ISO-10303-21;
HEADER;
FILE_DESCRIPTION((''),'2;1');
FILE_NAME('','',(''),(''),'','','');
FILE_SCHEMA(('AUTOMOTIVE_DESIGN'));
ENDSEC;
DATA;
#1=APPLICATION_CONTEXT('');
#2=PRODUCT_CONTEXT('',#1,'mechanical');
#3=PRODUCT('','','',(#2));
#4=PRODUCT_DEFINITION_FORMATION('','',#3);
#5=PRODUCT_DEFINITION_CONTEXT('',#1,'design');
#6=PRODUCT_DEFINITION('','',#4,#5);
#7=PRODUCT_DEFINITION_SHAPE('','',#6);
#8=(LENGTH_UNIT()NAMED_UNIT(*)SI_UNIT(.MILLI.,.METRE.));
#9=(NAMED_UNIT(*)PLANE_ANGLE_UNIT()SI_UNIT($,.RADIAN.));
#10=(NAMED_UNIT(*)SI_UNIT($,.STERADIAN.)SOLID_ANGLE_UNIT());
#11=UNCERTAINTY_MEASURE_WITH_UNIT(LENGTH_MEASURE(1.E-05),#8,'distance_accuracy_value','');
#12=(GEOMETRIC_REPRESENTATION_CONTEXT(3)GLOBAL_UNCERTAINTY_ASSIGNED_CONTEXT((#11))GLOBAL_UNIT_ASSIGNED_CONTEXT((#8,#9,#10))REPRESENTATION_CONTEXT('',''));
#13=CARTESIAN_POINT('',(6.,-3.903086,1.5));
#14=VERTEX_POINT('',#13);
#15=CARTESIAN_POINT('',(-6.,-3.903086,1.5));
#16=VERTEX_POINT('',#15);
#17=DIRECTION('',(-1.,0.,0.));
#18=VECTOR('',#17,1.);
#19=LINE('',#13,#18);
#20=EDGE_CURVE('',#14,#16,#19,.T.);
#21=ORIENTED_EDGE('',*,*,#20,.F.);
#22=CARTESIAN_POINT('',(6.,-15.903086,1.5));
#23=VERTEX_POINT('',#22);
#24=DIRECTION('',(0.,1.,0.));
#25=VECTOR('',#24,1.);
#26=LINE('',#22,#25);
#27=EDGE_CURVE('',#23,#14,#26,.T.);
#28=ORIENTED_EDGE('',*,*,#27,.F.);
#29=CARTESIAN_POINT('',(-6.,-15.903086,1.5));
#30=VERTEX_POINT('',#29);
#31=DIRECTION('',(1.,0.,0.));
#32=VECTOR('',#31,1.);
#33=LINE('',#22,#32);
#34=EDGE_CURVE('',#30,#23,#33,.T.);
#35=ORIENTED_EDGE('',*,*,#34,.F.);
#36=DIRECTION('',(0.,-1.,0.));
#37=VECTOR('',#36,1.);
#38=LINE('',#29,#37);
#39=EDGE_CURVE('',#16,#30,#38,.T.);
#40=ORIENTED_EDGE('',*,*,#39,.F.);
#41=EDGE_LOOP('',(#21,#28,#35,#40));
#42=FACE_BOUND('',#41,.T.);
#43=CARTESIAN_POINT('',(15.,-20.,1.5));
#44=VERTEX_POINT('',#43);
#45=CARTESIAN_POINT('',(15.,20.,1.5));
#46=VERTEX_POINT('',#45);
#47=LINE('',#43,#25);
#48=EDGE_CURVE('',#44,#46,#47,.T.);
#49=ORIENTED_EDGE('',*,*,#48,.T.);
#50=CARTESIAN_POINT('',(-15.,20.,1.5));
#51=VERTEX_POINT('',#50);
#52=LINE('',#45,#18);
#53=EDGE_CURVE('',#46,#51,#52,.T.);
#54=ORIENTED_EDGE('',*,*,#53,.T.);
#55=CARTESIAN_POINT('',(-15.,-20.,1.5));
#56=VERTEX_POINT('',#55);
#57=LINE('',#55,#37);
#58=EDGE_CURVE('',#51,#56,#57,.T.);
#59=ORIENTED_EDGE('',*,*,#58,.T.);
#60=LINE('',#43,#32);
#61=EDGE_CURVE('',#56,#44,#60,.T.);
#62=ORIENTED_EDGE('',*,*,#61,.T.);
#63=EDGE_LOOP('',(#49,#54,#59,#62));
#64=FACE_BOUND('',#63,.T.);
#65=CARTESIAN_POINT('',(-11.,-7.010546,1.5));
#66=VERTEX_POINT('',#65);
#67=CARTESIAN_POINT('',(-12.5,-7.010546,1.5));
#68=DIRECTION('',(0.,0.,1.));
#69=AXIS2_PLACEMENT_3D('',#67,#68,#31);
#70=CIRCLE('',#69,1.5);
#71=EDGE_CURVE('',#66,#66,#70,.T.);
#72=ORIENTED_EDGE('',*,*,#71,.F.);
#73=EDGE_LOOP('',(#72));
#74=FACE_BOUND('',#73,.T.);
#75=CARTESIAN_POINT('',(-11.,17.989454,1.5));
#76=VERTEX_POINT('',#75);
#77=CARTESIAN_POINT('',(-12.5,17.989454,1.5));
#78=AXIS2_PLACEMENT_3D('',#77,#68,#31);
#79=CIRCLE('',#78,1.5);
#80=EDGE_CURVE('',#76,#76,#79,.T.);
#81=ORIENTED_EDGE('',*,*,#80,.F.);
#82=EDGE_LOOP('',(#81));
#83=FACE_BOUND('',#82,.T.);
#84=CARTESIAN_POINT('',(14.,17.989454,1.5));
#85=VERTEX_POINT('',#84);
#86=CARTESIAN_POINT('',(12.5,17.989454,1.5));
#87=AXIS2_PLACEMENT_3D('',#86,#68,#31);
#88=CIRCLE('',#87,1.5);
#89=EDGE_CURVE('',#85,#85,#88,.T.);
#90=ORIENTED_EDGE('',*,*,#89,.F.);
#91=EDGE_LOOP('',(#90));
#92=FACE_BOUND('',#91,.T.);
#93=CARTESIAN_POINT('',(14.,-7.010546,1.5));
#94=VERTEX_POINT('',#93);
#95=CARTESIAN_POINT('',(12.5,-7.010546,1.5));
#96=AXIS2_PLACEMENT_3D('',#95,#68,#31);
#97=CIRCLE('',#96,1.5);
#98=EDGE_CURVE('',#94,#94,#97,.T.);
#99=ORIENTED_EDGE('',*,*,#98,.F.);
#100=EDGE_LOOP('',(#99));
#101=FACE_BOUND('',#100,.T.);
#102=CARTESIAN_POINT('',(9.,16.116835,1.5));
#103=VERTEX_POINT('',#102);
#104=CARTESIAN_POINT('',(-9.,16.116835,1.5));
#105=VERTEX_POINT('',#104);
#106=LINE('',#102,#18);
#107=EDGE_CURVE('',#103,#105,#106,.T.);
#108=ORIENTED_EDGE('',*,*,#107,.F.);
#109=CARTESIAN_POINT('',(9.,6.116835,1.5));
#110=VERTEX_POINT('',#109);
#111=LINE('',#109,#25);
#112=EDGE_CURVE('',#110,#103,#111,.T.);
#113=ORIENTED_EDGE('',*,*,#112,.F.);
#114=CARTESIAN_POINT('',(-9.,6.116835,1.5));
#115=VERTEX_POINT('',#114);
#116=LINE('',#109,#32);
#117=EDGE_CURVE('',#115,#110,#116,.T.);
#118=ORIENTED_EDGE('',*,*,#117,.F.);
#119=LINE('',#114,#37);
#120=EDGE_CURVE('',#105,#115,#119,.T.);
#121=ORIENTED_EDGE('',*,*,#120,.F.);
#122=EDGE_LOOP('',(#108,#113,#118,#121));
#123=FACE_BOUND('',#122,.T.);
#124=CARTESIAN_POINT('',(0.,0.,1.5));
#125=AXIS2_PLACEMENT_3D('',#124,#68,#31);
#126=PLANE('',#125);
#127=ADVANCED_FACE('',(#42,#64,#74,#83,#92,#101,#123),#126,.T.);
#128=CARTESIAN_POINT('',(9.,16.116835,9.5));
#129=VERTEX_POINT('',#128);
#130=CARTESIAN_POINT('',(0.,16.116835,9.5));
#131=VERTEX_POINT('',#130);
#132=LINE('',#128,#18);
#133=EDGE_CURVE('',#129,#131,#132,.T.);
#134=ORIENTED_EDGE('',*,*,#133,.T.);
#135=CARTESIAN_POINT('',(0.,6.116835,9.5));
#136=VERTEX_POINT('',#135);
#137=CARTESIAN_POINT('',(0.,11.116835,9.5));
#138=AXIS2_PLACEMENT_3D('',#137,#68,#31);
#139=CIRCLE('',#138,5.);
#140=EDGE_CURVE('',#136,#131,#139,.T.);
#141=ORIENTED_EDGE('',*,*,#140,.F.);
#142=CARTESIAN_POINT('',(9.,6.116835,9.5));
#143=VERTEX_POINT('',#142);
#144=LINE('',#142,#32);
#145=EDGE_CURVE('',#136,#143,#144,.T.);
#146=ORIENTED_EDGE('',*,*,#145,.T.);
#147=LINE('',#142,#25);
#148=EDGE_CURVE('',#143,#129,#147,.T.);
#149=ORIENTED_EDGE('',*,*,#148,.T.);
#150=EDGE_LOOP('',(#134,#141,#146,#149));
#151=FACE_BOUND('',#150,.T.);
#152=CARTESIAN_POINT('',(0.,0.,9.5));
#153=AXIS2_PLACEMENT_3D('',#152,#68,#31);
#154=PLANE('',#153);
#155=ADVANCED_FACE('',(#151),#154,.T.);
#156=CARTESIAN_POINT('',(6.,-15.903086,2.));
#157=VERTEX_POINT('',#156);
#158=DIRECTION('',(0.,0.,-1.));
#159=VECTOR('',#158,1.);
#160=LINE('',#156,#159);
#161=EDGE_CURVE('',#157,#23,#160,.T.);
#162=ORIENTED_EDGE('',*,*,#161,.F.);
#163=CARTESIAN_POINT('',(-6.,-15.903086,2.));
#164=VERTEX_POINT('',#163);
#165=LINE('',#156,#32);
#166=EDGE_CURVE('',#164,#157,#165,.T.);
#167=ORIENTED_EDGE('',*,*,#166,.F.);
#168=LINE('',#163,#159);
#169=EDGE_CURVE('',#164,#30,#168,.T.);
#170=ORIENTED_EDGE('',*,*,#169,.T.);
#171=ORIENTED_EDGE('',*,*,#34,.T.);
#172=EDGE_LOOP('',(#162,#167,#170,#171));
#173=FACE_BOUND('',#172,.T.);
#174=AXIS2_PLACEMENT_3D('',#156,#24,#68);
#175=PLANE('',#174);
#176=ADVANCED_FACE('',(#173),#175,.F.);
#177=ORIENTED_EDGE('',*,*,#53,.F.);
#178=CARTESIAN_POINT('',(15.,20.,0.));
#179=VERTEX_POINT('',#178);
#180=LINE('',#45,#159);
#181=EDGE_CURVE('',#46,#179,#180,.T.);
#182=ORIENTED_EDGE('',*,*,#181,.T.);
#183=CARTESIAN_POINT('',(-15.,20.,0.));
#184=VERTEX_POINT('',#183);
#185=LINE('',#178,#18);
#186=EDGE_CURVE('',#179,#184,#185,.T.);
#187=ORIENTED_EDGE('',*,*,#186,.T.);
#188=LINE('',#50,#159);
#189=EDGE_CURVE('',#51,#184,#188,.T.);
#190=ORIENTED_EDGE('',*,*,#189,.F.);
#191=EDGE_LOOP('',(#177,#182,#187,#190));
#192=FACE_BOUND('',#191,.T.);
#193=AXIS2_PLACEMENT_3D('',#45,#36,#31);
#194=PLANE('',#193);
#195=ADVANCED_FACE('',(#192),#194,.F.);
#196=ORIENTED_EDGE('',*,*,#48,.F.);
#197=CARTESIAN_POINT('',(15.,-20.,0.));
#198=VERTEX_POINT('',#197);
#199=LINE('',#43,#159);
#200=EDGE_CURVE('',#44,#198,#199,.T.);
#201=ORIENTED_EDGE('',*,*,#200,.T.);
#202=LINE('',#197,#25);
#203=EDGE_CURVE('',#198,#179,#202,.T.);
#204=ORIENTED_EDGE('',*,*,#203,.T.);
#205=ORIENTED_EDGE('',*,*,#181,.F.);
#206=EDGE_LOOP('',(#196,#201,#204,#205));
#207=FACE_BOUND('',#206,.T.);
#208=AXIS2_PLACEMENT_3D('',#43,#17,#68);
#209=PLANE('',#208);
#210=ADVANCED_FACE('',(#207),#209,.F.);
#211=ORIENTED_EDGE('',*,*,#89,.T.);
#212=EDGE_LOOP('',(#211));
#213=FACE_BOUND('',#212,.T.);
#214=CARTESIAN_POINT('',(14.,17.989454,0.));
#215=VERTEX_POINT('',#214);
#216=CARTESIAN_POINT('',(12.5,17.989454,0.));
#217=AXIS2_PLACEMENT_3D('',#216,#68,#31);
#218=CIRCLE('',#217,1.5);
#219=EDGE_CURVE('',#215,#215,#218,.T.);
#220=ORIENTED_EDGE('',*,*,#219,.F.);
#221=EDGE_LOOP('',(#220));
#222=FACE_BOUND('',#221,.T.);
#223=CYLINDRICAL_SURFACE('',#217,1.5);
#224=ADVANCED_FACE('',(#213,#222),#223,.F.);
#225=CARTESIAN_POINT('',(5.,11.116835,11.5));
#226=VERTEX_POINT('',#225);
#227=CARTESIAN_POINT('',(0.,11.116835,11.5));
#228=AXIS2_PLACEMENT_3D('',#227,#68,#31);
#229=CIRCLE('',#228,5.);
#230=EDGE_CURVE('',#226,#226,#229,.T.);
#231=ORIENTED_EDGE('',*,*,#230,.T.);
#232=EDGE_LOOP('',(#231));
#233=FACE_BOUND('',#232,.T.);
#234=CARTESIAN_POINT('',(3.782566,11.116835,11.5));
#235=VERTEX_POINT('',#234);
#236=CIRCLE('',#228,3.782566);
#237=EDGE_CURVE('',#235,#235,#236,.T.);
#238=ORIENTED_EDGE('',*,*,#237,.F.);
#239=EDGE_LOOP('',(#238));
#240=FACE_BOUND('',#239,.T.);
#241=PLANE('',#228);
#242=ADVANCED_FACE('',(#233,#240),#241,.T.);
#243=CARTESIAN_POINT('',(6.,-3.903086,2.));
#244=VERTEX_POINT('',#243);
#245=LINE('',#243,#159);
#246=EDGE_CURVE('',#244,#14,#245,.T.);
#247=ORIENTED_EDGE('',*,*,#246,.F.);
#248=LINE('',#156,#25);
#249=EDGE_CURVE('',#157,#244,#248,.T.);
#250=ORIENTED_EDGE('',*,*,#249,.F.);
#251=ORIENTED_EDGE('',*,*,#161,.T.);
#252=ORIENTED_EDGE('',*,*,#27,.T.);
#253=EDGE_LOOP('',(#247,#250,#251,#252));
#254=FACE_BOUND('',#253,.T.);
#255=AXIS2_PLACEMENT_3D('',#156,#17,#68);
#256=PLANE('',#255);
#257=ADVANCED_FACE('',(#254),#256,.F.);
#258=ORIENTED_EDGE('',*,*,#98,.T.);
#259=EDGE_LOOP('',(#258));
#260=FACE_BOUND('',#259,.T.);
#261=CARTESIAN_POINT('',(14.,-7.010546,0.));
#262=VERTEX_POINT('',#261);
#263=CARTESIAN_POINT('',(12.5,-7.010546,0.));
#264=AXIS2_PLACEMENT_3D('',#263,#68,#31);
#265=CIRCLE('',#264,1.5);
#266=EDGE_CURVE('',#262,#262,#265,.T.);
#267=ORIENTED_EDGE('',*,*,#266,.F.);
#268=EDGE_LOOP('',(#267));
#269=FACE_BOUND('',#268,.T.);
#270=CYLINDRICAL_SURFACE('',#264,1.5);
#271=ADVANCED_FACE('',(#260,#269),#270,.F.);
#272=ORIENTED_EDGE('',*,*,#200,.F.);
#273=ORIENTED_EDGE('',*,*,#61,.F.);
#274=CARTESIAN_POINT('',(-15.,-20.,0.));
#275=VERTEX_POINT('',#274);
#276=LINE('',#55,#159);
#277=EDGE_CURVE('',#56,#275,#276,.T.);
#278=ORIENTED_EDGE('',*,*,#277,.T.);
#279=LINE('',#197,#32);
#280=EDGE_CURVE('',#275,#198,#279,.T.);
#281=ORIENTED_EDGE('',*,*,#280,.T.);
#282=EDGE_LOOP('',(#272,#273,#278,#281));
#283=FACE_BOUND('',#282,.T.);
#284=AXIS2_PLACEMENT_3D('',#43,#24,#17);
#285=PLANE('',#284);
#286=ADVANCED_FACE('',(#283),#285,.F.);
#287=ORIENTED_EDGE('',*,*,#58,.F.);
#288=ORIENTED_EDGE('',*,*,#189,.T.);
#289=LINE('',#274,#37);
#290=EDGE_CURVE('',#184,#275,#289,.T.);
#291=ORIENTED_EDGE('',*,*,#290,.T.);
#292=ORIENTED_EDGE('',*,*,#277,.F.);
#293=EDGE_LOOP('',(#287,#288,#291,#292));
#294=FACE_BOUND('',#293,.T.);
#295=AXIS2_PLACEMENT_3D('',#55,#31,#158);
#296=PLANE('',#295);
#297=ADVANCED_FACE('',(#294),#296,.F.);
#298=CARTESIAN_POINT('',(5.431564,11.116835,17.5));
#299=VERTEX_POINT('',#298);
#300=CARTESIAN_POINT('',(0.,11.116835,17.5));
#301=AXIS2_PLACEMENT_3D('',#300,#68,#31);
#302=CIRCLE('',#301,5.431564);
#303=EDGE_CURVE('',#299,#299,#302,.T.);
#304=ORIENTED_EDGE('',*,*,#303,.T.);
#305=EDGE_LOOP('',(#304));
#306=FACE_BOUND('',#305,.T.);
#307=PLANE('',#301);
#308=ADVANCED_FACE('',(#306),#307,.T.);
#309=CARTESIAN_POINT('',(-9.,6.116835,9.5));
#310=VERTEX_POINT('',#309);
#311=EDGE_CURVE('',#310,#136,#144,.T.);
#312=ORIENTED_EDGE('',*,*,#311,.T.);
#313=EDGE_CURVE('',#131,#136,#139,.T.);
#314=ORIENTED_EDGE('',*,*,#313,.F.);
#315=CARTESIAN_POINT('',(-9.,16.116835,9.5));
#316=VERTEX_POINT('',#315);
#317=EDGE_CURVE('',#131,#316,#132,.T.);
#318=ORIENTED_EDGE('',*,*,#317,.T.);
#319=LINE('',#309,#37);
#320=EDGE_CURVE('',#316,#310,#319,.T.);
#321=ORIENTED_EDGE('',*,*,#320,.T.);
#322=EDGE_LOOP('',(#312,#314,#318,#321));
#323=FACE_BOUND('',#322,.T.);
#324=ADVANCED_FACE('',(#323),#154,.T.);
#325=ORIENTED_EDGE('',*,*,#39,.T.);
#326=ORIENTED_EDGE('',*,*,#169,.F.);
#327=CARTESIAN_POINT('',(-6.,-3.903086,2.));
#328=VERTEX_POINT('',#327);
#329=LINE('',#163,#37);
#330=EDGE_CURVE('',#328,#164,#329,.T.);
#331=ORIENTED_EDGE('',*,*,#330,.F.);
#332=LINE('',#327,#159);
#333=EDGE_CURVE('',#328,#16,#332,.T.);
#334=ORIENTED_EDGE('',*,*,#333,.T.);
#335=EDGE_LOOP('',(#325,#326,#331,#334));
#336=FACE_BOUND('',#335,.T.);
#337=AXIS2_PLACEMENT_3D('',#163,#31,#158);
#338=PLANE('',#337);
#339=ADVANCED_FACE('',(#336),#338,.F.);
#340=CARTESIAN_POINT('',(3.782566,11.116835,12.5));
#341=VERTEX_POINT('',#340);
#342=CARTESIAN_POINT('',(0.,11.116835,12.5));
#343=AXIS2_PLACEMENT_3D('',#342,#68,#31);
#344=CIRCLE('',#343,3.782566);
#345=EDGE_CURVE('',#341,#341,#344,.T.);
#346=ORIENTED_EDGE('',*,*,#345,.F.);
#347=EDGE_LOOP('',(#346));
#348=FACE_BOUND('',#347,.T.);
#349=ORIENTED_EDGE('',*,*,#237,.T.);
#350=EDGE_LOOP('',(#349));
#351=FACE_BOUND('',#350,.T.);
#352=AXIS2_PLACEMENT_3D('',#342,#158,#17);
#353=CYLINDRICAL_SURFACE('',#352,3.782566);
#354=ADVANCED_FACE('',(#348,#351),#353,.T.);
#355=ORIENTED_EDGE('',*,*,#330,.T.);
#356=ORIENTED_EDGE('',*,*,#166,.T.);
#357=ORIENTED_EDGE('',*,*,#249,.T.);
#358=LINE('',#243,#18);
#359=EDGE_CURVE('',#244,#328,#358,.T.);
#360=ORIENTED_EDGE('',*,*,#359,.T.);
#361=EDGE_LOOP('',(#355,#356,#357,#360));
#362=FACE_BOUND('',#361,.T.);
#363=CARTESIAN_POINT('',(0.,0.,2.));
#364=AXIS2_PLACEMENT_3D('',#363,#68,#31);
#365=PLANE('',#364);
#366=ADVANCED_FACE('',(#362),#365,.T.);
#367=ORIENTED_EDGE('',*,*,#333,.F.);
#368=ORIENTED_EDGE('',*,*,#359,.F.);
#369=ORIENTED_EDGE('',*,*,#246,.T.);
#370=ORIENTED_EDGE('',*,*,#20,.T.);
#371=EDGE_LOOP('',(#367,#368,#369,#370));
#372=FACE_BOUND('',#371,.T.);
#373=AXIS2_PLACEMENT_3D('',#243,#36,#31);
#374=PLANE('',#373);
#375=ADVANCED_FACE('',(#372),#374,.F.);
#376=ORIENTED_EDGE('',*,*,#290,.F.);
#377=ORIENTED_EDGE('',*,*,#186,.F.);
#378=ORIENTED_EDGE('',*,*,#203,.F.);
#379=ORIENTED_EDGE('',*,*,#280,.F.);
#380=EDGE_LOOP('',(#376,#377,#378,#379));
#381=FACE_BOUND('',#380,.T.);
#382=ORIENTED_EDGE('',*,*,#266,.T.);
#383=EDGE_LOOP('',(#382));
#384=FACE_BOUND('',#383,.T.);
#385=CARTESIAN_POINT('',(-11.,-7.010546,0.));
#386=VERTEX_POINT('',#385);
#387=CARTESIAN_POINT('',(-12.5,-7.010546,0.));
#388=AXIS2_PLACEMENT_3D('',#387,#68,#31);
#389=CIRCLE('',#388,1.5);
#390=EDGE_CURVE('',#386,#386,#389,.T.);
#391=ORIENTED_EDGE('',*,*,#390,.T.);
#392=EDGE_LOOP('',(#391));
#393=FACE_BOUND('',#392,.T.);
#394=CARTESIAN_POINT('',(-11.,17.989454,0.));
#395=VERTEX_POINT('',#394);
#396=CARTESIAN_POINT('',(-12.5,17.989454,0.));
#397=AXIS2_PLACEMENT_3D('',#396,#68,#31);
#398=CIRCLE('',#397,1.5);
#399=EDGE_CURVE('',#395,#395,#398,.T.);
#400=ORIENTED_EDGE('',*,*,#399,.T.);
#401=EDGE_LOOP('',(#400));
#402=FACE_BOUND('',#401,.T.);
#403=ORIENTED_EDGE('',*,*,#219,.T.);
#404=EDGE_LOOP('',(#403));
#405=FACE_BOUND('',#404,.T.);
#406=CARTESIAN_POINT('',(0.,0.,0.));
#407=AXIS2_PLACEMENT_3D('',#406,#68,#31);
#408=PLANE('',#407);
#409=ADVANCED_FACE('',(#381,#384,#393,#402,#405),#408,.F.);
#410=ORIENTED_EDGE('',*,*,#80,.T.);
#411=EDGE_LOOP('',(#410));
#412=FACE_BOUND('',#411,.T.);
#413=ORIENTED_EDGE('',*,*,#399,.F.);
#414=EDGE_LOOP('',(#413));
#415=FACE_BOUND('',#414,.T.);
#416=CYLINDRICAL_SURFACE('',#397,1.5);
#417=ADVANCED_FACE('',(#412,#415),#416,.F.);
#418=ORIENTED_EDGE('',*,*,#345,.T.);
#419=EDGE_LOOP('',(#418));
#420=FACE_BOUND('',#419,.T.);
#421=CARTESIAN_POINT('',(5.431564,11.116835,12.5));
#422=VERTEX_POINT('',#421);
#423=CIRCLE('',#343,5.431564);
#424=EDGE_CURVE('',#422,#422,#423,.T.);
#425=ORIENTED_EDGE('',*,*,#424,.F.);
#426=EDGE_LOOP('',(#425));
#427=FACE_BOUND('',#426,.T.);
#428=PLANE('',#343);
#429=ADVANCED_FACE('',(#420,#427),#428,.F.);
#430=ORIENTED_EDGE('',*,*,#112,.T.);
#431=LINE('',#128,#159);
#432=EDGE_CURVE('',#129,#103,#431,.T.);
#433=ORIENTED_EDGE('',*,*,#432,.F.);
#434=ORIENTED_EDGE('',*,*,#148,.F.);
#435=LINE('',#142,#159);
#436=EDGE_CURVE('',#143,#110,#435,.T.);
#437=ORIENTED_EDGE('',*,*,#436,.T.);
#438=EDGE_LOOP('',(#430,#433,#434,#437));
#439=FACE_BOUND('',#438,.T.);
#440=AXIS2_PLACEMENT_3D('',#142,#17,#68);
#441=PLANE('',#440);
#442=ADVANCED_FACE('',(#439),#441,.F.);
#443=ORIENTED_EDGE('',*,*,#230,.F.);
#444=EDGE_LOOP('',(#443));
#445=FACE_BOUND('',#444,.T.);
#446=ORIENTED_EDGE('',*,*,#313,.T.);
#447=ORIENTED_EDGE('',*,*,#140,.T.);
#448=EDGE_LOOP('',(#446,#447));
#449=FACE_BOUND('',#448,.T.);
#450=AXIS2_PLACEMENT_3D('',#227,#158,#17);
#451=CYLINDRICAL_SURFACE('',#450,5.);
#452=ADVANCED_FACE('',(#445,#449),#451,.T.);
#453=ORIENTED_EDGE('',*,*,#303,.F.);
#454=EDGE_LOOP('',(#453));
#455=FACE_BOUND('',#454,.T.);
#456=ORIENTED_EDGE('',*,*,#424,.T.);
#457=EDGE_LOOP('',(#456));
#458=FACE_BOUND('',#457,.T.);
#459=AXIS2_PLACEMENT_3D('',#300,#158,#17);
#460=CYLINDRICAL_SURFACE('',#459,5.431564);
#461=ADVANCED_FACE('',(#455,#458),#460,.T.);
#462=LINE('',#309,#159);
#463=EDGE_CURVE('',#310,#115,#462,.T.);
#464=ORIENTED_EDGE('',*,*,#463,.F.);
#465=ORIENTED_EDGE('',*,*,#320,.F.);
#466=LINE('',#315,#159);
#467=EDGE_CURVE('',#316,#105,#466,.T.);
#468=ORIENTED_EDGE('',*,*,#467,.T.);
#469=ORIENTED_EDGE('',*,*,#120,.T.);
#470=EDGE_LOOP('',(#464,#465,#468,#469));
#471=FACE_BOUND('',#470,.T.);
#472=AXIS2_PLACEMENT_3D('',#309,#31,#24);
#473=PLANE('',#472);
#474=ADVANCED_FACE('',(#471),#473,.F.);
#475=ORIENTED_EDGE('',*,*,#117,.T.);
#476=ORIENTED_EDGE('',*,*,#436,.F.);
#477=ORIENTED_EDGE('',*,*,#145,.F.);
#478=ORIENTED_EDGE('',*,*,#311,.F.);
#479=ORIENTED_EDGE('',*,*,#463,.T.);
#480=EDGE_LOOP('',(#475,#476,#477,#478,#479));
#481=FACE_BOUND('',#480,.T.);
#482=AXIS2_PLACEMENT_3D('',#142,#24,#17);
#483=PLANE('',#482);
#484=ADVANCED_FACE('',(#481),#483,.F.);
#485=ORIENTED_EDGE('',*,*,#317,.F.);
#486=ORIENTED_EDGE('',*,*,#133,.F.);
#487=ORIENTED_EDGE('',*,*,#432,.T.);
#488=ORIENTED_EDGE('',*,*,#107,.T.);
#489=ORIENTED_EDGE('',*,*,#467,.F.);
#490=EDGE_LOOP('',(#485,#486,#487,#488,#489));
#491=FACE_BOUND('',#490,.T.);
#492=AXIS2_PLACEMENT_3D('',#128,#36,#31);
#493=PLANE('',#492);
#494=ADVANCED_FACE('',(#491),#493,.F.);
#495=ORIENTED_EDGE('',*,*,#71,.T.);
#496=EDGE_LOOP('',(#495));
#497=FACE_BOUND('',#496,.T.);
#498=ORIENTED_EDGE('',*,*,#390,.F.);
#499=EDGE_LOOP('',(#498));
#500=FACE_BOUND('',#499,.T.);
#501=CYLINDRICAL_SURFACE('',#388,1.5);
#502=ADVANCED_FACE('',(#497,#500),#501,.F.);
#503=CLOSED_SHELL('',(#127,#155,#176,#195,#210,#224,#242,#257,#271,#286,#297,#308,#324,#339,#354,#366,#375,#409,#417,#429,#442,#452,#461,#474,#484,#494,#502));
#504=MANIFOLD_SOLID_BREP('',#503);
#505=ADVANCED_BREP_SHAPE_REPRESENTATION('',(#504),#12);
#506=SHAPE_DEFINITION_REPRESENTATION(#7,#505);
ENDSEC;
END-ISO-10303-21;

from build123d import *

# Parameters (mm, degrees)
SKETCH_1_W          = 30
SKETCH_1_H          = 40
EXTRUDE_1_DEPTH     = 1.5
SKETCH_2_R          = 1.5
CUT_EXTRUDE_1_DEPTH = 2.5
SKETCH_3_W          = 18
SKETCH_3_H          = 10
EXTRUDE_2_DEPTH     = 8
SKETCH_4_R          = 5
EXTRUDE_3_DEPTH     = 2
SKETCH_5_R          = 3.78256648
EXTRUDE_4_DEPTH     = 1
SKETCH_6_R          = 5.431564172
EXTRUDE_5_DEPTH     = 5
SKETCH_7_W          = 12
SKETCH_7_H          = 12
EXTRUDE_6_DEPTH     = 0.5


with BuildPart() as part:
    # 草图1 → 凸台-拉伸1 (new body)
    with BuildSketch(Plane.XY):
        Rectangle(SKETCH_1_W, SKETCH_1_H)
    extrude(amount=EXTRUDE_1_DEPTH)

    # 草图2 → 切除-拉伸1 (cut, through all)
    with BuildSketch(Plane.XY.offset(1.5)):
        with Locations((-12.5, 17.989454292)):
            Circle(SKETCH_2_R)
        with Locations((12.5, 17.989454292)):
            Circle(SKETCH_2_R)
        with Locations((-12.5, -7.010545708)):
            Circle(SKETCH_2_R)
        with Locations((12.5, -7.010545708)):
            Circle(SKETCH_2_R)
    extrude(amount=-CUT_EXTRUDE_1_DEPTH, mode=Mode.SUBTRACT)

    # 草图3 → 凸台-拉伸2 (add)
    with BuildSketch(Plane.XY.offset(1.5)):
        with Locations((0, 11.11683457)):
            Rectangle(SKETCH_3_W, SKETCH_3_H)
    extrude(amount=EXTRUDE_2_DEPTH)

    # 草图4 → 凸台-拉伸3 (add)
    with BuildSketch(Plane.XY.offset(9.5)):
        with Locations((0, 11.11683457)):
            Circle(SKETCH_4_R)
    extrude(amount=EXTRUDE_3_DEPTH)

    # 草图5 → 凸台-拉伸4 (add)
    with BuildSketch(Plane.XY.offset(11.5)):
        with Locations((0, 11.11683457)):
            Circle(SKETCH_5_R)
    extrude(amount=EXTRUDE_4_DEPTH)

    # 草图6 → 凸台-拉伸5 (add)
    with BuildSketch(Plane.XY.offset(12.5)):
        with Locations((0, 11.11683457)):
            Circle(SKETCH_6_R)
    extrude(amount=EXTRUDE_5_DEPTH)

    # 草图7 → 凸台-拉伸6 (add)
    with BuildSketch(Plane.XY.offset(1.5)):
        with Locations((0, -9.903085883)):
            Rectangle(SKETCH_7_W, SKETCH_7_H)
    extrude(amount=EXTRUDE_6_DEPTH)


solid = part.part
